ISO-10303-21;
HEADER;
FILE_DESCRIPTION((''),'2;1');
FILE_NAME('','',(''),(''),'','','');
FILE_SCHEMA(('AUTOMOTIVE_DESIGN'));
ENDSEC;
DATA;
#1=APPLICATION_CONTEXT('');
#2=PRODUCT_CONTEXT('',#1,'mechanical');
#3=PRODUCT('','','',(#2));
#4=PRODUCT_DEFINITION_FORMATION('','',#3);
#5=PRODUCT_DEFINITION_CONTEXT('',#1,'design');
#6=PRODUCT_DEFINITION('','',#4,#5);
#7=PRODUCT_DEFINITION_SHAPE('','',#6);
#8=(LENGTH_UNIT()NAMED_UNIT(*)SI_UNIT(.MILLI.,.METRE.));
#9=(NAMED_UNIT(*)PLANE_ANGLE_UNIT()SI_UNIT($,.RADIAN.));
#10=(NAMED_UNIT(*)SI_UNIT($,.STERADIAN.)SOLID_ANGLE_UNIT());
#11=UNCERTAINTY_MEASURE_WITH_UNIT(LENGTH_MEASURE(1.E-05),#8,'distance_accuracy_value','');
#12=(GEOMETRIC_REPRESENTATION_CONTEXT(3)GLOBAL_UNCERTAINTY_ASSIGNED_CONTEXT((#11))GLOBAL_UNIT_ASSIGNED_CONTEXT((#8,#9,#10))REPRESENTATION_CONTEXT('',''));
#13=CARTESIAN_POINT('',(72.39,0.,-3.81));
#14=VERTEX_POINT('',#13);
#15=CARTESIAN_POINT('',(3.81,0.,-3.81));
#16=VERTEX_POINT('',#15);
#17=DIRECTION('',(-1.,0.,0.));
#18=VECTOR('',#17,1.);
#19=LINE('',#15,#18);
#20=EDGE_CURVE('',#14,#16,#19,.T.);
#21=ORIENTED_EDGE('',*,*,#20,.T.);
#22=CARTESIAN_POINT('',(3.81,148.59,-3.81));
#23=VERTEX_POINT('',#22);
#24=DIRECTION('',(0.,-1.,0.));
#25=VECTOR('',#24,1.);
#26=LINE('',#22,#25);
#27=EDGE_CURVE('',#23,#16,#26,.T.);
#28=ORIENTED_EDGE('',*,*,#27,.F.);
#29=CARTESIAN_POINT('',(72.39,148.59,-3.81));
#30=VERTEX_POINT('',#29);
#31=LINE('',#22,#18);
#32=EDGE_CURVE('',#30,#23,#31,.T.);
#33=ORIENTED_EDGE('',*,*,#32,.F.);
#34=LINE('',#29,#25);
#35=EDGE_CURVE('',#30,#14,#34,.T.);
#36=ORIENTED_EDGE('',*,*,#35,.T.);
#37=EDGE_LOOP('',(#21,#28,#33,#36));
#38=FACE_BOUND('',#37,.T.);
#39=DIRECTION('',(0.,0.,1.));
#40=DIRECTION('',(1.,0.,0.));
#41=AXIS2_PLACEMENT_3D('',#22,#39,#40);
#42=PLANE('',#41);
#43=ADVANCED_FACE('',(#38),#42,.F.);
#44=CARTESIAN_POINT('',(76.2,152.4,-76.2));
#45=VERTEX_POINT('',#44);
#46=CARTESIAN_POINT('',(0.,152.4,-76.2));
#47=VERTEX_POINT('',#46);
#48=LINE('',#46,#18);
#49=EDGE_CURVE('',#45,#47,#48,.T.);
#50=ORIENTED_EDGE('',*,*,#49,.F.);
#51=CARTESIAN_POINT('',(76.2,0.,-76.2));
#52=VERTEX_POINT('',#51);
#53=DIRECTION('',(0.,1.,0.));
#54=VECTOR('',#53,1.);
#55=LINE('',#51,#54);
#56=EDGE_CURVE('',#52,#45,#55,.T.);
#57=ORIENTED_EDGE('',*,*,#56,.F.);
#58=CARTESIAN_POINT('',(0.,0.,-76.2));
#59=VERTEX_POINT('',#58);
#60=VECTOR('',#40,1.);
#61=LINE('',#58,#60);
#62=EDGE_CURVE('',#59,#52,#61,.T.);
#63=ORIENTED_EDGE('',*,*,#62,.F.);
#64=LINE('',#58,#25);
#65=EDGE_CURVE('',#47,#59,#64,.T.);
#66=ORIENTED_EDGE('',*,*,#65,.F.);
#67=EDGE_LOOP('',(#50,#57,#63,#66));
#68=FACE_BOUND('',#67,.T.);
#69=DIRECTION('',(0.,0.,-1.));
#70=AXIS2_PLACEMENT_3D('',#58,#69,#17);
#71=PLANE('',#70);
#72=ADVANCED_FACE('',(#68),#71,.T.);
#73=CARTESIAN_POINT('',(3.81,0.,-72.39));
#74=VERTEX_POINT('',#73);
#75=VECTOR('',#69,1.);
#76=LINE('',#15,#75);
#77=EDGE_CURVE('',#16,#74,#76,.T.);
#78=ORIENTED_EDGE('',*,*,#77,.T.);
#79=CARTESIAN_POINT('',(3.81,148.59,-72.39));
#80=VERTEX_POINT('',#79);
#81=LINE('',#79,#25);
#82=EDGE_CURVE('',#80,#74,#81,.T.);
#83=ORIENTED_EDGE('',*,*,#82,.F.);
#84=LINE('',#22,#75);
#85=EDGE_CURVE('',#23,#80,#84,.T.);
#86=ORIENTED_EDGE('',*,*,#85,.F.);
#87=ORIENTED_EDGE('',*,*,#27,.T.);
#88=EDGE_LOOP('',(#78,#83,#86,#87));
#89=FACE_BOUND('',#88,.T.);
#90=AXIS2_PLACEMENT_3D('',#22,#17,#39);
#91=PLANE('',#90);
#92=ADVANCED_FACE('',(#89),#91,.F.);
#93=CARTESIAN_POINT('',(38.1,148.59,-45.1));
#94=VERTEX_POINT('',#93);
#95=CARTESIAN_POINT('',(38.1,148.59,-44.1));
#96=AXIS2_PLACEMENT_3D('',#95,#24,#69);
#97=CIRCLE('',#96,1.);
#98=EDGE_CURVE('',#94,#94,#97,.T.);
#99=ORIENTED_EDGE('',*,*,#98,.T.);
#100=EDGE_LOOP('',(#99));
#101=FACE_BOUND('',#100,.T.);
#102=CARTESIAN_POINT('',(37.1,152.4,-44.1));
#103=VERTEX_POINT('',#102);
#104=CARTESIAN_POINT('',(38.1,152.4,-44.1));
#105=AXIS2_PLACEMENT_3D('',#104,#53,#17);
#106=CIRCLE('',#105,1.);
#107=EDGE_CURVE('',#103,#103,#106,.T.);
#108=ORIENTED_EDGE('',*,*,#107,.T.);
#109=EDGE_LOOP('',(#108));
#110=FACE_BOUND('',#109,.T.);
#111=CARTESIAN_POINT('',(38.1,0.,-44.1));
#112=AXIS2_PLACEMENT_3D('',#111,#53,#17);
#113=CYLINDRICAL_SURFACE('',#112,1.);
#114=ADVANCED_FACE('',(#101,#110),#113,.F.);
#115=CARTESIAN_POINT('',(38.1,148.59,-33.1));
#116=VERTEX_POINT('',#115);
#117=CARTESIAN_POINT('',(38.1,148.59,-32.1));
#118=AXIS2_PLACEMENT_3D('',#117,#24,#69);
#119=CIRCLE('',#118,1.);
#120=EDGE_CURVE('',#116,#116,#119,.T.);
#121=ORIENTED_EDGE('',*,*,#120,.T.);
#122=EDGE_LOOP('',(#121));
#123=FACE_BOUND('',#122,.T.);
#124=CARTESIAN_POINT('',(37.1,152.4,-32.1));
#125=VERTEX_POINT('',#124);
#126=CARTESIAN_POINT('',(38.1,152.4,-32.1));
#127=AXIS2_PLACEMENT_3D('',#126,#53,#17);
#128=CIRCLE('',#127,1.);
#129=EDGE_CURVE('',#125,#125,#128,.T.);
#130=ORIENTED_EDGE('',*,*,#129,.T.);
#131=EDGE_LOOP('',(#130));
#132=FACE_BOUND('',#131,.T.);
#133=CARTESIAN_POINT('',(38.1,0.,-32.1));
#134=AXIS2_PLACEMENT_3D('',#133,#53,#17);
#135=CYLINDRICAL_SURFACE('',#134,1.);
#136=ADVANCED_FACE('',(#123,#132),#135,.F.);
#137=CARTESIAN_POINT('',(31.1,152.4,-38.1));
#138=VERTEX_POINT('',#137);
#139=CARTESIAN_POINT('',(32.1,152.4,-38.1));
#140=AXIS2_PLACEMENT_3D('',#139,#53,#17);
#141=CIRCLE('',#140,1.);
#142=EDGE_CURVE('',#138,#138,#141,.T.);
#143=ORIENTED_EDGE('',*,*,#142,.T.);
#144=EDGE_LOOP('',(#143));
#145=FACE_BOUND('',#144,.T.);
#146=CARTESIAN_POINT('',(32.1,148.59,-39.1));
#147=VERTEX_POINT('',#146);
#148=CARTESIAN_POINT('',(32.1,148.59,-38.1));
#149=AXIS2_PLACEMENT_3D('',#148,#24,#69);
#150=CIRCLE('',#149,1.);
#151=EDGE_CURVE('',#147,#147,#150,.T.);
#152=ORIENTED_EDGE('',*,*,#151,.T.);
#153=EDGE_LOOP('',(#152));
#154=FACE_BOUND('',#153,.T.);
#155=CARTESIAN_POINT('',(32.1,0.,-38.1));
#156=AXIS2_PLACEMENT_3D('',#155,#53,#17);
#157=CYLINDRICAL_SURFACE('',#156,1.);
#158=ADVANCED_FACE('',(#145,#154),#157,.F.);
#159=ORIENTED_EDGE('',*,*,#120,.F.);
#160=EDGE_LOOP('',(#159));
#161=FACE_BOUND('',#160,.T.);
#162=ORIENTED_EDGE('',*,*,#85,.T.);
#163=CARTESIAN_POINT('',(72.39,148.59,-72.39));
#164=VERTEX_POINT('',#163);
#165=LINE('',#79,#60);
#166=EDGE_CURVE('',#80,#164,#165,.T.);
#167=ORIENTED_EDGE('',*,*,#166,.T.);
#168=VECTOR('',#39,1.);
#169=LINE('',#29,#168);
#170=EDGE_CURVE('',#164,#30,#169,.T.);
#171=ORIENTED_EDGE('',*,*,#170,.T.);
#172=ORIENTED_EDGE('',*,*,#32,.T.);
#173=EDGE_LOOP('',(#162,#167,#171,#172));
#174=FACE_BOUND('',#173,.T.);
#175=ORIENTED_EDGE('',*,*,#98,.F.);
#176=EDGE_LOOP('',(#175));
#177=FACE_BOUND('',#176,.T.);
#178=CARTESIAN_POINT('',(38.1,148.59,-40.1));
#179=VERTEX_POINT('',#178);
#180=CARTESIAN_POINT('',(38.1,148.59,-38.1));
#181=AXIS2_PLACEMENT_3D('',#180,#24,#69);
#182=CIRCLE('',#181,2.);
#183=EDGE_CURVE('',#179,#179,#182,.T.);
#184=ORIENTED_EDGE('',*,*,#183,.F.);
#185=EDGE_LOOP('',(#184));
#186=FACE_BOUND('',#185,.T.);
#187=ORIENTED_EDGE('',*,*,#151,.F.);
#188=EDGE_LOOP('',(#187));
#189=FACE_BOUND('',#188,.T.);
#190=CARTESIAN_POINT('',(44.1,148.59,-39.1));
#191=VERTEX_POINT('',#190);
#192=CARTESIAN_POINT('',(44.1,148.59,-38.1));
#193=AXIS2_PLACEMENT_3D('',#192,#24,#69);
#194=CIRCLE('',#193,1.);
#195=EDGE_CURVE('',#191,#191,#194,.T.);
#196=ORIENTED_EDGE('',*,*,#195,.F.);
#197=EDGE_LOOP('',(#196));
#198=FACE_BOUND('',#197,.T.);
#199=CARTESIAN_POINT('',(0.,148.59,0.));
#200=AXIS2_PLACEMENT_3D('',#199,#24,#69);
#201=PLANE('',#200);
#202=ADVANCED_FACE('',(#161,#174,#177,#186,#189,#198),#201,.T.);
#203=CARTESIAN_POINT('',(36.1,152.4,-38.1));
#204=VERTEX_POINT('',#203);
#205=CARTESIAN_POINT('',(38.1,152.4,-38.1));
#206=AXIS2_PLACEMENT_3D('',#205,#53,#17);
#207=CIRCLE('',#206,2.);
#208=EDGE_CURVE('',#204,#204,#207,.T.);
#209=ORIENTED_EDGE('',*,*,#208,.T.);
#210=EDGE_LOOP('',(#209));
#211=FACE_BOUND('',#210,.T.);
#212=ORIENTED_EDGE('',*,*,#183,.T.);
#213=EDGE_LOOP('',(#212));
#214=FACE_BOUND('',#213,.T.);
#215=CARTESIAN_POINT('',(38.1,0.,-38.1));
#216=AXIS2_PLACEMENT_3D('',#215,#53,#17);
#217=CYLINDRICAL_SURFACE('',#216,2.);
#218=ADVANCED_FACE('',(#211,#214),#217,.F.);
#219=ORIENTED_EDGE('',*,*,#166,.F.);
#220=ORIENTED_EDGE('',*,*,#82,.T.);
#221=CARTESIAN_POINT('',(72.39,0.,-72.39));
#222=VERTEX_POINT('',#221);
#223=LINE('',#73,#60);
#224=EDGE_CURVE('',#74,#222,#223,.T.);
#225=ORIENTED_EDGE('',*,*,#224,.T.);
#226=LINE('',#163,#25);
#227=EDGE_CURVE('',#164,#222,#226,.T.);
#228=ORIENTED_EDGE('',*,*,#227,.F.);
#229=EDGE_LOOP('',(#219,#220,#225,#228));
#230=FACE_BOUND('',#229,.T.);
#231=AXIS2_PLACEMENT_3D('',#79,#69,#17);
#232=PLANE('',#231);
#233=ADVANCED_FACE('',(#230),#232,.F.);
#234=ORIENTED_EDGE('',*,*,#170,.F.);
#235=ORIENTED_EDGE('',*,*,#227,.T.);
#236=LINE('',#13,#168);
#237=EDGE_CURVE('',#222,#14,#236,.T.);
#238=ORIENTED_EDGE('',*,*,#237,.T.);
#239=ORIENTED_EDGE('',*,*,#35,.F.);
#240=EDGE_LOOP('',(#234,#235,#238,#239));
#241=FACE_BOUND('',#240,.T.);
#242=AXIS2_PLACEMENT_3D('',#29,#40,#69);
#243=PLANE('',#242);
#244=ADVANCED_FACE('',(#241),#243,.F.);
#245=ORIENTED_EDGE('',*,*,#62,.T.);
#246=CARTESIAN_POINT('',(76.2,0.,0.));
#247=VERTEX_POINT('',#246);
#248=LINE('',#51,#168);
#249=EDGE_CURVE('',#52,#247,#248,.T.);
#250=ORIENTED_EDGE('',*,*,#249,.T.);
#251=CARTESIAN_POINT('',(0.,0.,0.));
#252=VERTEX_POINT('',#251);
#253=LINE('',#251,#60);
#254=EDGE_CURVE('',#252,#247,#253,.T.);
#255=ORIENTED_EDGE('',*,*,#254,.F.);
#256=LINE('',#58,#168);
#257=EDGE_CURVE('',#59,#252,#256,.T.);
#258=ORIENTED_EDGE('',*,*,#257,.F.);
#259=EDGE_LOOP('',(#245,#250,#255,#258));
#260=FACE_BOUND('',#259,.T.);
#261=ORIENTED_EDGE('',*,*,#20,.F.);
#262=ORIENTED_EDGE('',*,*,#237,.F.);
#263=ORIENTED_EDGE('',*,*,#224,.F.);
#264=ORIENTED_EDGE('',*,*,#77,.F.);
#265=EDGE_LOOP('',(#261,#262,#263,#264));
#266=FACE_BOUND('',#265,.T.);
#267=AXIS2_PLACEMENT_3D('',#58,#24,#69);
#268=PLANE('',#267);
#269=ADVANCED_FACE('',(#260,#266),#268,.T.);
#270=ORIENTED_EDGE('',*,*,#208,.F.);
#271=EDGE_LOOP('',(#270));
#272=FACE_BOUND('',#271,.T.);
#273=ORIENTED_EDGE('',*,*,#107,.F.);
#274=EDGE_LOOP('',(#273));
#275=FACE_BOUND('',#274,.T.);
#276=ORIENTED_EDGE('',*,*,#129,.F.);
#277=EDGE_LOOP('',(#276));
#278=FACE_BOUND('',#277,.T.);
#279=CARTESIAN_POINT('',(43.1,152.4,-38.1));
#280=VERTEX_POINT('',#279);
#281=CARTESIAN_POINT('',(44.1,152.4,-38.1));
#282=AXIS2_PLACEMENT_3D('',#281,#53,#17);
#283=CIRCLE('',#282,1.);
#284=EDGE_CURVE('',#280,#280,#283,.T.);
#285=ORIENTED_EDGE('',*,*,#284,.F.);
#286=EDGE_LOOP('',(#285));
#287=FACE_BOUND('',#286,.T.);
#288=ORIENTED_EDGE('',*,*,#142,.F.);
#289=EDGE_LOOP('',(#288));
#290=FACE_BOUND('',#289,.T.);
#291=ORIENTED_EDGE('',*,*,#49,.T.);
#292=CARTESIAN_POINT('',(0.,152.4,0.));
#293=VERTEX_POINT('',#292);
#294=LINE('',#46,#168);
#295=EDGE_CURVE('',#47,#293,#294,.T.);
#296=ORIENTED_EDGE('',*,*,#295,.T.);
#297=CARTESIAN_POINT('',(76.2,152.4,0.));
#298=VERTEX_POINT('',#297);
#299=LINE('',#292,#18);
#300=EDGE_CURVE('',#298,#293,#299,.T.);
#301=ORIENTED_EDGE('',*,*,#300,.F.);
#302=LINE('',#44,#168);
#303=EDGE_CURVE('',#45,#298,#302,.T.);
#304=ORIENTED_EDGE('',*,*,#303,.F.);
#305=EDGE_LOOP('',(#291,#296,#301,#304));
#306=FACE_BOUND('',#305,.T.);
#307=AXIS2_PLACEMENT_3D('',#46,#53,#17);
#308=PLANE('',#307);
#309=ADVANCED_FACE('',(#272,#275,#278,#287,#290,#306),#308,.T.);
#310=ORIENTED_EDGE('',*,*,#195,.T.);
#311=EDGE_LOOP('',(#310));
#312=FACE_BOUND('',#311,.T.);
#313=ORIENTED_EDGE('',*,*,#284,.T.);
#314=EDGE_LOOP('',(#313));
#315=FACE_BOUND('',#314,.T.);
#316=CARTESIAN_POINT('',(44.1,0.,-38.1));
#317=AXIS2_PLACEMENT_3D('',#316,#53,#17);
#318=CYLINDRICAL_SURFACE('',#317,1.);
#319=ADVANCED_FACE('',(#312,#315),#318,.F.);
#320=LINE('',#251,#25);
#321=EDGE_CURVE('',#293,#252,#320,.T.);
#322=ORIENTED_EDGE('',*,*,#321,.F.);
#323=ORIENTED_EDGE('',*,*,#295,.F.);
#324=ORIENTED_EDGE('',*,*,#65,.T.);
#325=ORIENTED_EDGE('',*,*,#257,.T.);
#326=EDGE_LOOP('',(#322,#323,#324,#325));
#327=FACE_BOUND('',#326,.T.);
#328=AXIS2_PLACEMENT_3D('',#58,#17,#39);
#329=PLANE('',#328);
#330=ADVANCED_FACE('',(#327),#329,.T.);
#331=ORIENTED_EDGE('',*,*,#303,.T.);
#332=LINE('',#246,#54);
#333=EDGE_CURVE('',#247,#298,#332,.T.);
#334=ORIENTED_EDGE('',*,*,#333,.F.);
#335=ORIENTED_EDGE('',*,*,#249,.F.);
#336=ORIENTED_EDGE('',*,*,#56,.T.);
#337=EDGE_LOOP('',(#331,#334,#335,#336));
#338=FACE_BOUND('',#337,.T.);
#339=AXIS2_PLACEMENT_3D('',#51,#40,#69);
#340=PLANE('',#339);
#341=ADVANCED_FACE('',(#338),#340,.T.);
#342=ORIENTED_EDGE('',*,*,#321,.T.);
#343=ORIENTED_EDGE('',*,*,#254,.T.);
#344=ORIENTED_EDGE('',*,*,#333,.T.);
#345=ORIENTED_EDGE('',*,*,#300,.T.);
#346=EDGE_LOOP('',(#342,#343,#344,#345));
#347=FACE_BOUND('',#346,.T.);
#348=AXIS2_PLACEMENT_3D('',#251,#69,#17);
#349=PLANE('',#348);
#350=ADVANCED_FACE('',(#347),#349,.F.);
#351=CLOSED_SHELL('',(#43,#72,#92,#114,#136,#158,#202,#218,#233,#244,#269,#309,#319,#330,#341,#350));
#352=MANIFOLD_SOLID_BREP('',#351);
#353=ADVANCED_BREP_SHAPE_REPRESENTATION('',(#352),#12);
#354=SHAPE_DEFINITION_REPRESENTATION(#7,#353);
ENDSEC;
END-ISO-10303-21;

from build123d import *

# Parameters (mm, degrees)
SKETCH1_W           = 76.2
SKETCH1_H           = 152.4
BOSS_EXTRUDE1_DEPTH = 76.2
SKETCH2_W           = 68.58
SKETCH2_H           = 68.58
CUT_EXTRUDE1_DEPTH  = 148.59
SKETCH3_R           = 2
SKETCH3_R_2         = 1
CUT_EXTRUDE2_DEPTH  = 153.4


with BuildPart() as part:
    # Sketch1 → Boss-Extrude1 (new body)
    with BuildSketch(Plane.XY):
        with Locations((38.1, 76.2)):
            Rectangle(SKETCH1_W, SKETCH1_H)
    extrude(amount=-BOSS_EXTRUDE1_DEPTH)

    # Sketch2 → Cut-Extrude1 (cut)
    with BuildSketch(Plane.XZ):
        with Locations((38.1, -38.1)):
            Rectangle(SKETCH2_W, SKETCH2_H)
    extrude(amount=-CUT_EXTRUDE1_DEPTH, mode=Mode.SUBTRACT)

    # Sketch3 → Cut-Extrude2 (cut, through all)
    with BuildSketch(Plane(origin=(0, 152.4, 0), x_dir=(1, 0, 0), z_dir=(0, 1, 0))):
        with Locations((38.1, 38.1)):
            Circle(SKETCH3_R)
        with Locations((38.1, 44.1)):
            Circle(SKETCH3_R_2)
        with Locations((38.1, 32.1)):
            Circle(SKETCH3_R_2)
        with Locations((44.1, 38.1)):
            Circle(SKETCH3_R_2)
        with Locations((32.1, 38.1)):
            Circle(SKETCH3_R_2)
    extrude(amount=-CUT_EXTRUDE2_DEPTH, mode=Mode.SUBTRACT)


solid = part.part
